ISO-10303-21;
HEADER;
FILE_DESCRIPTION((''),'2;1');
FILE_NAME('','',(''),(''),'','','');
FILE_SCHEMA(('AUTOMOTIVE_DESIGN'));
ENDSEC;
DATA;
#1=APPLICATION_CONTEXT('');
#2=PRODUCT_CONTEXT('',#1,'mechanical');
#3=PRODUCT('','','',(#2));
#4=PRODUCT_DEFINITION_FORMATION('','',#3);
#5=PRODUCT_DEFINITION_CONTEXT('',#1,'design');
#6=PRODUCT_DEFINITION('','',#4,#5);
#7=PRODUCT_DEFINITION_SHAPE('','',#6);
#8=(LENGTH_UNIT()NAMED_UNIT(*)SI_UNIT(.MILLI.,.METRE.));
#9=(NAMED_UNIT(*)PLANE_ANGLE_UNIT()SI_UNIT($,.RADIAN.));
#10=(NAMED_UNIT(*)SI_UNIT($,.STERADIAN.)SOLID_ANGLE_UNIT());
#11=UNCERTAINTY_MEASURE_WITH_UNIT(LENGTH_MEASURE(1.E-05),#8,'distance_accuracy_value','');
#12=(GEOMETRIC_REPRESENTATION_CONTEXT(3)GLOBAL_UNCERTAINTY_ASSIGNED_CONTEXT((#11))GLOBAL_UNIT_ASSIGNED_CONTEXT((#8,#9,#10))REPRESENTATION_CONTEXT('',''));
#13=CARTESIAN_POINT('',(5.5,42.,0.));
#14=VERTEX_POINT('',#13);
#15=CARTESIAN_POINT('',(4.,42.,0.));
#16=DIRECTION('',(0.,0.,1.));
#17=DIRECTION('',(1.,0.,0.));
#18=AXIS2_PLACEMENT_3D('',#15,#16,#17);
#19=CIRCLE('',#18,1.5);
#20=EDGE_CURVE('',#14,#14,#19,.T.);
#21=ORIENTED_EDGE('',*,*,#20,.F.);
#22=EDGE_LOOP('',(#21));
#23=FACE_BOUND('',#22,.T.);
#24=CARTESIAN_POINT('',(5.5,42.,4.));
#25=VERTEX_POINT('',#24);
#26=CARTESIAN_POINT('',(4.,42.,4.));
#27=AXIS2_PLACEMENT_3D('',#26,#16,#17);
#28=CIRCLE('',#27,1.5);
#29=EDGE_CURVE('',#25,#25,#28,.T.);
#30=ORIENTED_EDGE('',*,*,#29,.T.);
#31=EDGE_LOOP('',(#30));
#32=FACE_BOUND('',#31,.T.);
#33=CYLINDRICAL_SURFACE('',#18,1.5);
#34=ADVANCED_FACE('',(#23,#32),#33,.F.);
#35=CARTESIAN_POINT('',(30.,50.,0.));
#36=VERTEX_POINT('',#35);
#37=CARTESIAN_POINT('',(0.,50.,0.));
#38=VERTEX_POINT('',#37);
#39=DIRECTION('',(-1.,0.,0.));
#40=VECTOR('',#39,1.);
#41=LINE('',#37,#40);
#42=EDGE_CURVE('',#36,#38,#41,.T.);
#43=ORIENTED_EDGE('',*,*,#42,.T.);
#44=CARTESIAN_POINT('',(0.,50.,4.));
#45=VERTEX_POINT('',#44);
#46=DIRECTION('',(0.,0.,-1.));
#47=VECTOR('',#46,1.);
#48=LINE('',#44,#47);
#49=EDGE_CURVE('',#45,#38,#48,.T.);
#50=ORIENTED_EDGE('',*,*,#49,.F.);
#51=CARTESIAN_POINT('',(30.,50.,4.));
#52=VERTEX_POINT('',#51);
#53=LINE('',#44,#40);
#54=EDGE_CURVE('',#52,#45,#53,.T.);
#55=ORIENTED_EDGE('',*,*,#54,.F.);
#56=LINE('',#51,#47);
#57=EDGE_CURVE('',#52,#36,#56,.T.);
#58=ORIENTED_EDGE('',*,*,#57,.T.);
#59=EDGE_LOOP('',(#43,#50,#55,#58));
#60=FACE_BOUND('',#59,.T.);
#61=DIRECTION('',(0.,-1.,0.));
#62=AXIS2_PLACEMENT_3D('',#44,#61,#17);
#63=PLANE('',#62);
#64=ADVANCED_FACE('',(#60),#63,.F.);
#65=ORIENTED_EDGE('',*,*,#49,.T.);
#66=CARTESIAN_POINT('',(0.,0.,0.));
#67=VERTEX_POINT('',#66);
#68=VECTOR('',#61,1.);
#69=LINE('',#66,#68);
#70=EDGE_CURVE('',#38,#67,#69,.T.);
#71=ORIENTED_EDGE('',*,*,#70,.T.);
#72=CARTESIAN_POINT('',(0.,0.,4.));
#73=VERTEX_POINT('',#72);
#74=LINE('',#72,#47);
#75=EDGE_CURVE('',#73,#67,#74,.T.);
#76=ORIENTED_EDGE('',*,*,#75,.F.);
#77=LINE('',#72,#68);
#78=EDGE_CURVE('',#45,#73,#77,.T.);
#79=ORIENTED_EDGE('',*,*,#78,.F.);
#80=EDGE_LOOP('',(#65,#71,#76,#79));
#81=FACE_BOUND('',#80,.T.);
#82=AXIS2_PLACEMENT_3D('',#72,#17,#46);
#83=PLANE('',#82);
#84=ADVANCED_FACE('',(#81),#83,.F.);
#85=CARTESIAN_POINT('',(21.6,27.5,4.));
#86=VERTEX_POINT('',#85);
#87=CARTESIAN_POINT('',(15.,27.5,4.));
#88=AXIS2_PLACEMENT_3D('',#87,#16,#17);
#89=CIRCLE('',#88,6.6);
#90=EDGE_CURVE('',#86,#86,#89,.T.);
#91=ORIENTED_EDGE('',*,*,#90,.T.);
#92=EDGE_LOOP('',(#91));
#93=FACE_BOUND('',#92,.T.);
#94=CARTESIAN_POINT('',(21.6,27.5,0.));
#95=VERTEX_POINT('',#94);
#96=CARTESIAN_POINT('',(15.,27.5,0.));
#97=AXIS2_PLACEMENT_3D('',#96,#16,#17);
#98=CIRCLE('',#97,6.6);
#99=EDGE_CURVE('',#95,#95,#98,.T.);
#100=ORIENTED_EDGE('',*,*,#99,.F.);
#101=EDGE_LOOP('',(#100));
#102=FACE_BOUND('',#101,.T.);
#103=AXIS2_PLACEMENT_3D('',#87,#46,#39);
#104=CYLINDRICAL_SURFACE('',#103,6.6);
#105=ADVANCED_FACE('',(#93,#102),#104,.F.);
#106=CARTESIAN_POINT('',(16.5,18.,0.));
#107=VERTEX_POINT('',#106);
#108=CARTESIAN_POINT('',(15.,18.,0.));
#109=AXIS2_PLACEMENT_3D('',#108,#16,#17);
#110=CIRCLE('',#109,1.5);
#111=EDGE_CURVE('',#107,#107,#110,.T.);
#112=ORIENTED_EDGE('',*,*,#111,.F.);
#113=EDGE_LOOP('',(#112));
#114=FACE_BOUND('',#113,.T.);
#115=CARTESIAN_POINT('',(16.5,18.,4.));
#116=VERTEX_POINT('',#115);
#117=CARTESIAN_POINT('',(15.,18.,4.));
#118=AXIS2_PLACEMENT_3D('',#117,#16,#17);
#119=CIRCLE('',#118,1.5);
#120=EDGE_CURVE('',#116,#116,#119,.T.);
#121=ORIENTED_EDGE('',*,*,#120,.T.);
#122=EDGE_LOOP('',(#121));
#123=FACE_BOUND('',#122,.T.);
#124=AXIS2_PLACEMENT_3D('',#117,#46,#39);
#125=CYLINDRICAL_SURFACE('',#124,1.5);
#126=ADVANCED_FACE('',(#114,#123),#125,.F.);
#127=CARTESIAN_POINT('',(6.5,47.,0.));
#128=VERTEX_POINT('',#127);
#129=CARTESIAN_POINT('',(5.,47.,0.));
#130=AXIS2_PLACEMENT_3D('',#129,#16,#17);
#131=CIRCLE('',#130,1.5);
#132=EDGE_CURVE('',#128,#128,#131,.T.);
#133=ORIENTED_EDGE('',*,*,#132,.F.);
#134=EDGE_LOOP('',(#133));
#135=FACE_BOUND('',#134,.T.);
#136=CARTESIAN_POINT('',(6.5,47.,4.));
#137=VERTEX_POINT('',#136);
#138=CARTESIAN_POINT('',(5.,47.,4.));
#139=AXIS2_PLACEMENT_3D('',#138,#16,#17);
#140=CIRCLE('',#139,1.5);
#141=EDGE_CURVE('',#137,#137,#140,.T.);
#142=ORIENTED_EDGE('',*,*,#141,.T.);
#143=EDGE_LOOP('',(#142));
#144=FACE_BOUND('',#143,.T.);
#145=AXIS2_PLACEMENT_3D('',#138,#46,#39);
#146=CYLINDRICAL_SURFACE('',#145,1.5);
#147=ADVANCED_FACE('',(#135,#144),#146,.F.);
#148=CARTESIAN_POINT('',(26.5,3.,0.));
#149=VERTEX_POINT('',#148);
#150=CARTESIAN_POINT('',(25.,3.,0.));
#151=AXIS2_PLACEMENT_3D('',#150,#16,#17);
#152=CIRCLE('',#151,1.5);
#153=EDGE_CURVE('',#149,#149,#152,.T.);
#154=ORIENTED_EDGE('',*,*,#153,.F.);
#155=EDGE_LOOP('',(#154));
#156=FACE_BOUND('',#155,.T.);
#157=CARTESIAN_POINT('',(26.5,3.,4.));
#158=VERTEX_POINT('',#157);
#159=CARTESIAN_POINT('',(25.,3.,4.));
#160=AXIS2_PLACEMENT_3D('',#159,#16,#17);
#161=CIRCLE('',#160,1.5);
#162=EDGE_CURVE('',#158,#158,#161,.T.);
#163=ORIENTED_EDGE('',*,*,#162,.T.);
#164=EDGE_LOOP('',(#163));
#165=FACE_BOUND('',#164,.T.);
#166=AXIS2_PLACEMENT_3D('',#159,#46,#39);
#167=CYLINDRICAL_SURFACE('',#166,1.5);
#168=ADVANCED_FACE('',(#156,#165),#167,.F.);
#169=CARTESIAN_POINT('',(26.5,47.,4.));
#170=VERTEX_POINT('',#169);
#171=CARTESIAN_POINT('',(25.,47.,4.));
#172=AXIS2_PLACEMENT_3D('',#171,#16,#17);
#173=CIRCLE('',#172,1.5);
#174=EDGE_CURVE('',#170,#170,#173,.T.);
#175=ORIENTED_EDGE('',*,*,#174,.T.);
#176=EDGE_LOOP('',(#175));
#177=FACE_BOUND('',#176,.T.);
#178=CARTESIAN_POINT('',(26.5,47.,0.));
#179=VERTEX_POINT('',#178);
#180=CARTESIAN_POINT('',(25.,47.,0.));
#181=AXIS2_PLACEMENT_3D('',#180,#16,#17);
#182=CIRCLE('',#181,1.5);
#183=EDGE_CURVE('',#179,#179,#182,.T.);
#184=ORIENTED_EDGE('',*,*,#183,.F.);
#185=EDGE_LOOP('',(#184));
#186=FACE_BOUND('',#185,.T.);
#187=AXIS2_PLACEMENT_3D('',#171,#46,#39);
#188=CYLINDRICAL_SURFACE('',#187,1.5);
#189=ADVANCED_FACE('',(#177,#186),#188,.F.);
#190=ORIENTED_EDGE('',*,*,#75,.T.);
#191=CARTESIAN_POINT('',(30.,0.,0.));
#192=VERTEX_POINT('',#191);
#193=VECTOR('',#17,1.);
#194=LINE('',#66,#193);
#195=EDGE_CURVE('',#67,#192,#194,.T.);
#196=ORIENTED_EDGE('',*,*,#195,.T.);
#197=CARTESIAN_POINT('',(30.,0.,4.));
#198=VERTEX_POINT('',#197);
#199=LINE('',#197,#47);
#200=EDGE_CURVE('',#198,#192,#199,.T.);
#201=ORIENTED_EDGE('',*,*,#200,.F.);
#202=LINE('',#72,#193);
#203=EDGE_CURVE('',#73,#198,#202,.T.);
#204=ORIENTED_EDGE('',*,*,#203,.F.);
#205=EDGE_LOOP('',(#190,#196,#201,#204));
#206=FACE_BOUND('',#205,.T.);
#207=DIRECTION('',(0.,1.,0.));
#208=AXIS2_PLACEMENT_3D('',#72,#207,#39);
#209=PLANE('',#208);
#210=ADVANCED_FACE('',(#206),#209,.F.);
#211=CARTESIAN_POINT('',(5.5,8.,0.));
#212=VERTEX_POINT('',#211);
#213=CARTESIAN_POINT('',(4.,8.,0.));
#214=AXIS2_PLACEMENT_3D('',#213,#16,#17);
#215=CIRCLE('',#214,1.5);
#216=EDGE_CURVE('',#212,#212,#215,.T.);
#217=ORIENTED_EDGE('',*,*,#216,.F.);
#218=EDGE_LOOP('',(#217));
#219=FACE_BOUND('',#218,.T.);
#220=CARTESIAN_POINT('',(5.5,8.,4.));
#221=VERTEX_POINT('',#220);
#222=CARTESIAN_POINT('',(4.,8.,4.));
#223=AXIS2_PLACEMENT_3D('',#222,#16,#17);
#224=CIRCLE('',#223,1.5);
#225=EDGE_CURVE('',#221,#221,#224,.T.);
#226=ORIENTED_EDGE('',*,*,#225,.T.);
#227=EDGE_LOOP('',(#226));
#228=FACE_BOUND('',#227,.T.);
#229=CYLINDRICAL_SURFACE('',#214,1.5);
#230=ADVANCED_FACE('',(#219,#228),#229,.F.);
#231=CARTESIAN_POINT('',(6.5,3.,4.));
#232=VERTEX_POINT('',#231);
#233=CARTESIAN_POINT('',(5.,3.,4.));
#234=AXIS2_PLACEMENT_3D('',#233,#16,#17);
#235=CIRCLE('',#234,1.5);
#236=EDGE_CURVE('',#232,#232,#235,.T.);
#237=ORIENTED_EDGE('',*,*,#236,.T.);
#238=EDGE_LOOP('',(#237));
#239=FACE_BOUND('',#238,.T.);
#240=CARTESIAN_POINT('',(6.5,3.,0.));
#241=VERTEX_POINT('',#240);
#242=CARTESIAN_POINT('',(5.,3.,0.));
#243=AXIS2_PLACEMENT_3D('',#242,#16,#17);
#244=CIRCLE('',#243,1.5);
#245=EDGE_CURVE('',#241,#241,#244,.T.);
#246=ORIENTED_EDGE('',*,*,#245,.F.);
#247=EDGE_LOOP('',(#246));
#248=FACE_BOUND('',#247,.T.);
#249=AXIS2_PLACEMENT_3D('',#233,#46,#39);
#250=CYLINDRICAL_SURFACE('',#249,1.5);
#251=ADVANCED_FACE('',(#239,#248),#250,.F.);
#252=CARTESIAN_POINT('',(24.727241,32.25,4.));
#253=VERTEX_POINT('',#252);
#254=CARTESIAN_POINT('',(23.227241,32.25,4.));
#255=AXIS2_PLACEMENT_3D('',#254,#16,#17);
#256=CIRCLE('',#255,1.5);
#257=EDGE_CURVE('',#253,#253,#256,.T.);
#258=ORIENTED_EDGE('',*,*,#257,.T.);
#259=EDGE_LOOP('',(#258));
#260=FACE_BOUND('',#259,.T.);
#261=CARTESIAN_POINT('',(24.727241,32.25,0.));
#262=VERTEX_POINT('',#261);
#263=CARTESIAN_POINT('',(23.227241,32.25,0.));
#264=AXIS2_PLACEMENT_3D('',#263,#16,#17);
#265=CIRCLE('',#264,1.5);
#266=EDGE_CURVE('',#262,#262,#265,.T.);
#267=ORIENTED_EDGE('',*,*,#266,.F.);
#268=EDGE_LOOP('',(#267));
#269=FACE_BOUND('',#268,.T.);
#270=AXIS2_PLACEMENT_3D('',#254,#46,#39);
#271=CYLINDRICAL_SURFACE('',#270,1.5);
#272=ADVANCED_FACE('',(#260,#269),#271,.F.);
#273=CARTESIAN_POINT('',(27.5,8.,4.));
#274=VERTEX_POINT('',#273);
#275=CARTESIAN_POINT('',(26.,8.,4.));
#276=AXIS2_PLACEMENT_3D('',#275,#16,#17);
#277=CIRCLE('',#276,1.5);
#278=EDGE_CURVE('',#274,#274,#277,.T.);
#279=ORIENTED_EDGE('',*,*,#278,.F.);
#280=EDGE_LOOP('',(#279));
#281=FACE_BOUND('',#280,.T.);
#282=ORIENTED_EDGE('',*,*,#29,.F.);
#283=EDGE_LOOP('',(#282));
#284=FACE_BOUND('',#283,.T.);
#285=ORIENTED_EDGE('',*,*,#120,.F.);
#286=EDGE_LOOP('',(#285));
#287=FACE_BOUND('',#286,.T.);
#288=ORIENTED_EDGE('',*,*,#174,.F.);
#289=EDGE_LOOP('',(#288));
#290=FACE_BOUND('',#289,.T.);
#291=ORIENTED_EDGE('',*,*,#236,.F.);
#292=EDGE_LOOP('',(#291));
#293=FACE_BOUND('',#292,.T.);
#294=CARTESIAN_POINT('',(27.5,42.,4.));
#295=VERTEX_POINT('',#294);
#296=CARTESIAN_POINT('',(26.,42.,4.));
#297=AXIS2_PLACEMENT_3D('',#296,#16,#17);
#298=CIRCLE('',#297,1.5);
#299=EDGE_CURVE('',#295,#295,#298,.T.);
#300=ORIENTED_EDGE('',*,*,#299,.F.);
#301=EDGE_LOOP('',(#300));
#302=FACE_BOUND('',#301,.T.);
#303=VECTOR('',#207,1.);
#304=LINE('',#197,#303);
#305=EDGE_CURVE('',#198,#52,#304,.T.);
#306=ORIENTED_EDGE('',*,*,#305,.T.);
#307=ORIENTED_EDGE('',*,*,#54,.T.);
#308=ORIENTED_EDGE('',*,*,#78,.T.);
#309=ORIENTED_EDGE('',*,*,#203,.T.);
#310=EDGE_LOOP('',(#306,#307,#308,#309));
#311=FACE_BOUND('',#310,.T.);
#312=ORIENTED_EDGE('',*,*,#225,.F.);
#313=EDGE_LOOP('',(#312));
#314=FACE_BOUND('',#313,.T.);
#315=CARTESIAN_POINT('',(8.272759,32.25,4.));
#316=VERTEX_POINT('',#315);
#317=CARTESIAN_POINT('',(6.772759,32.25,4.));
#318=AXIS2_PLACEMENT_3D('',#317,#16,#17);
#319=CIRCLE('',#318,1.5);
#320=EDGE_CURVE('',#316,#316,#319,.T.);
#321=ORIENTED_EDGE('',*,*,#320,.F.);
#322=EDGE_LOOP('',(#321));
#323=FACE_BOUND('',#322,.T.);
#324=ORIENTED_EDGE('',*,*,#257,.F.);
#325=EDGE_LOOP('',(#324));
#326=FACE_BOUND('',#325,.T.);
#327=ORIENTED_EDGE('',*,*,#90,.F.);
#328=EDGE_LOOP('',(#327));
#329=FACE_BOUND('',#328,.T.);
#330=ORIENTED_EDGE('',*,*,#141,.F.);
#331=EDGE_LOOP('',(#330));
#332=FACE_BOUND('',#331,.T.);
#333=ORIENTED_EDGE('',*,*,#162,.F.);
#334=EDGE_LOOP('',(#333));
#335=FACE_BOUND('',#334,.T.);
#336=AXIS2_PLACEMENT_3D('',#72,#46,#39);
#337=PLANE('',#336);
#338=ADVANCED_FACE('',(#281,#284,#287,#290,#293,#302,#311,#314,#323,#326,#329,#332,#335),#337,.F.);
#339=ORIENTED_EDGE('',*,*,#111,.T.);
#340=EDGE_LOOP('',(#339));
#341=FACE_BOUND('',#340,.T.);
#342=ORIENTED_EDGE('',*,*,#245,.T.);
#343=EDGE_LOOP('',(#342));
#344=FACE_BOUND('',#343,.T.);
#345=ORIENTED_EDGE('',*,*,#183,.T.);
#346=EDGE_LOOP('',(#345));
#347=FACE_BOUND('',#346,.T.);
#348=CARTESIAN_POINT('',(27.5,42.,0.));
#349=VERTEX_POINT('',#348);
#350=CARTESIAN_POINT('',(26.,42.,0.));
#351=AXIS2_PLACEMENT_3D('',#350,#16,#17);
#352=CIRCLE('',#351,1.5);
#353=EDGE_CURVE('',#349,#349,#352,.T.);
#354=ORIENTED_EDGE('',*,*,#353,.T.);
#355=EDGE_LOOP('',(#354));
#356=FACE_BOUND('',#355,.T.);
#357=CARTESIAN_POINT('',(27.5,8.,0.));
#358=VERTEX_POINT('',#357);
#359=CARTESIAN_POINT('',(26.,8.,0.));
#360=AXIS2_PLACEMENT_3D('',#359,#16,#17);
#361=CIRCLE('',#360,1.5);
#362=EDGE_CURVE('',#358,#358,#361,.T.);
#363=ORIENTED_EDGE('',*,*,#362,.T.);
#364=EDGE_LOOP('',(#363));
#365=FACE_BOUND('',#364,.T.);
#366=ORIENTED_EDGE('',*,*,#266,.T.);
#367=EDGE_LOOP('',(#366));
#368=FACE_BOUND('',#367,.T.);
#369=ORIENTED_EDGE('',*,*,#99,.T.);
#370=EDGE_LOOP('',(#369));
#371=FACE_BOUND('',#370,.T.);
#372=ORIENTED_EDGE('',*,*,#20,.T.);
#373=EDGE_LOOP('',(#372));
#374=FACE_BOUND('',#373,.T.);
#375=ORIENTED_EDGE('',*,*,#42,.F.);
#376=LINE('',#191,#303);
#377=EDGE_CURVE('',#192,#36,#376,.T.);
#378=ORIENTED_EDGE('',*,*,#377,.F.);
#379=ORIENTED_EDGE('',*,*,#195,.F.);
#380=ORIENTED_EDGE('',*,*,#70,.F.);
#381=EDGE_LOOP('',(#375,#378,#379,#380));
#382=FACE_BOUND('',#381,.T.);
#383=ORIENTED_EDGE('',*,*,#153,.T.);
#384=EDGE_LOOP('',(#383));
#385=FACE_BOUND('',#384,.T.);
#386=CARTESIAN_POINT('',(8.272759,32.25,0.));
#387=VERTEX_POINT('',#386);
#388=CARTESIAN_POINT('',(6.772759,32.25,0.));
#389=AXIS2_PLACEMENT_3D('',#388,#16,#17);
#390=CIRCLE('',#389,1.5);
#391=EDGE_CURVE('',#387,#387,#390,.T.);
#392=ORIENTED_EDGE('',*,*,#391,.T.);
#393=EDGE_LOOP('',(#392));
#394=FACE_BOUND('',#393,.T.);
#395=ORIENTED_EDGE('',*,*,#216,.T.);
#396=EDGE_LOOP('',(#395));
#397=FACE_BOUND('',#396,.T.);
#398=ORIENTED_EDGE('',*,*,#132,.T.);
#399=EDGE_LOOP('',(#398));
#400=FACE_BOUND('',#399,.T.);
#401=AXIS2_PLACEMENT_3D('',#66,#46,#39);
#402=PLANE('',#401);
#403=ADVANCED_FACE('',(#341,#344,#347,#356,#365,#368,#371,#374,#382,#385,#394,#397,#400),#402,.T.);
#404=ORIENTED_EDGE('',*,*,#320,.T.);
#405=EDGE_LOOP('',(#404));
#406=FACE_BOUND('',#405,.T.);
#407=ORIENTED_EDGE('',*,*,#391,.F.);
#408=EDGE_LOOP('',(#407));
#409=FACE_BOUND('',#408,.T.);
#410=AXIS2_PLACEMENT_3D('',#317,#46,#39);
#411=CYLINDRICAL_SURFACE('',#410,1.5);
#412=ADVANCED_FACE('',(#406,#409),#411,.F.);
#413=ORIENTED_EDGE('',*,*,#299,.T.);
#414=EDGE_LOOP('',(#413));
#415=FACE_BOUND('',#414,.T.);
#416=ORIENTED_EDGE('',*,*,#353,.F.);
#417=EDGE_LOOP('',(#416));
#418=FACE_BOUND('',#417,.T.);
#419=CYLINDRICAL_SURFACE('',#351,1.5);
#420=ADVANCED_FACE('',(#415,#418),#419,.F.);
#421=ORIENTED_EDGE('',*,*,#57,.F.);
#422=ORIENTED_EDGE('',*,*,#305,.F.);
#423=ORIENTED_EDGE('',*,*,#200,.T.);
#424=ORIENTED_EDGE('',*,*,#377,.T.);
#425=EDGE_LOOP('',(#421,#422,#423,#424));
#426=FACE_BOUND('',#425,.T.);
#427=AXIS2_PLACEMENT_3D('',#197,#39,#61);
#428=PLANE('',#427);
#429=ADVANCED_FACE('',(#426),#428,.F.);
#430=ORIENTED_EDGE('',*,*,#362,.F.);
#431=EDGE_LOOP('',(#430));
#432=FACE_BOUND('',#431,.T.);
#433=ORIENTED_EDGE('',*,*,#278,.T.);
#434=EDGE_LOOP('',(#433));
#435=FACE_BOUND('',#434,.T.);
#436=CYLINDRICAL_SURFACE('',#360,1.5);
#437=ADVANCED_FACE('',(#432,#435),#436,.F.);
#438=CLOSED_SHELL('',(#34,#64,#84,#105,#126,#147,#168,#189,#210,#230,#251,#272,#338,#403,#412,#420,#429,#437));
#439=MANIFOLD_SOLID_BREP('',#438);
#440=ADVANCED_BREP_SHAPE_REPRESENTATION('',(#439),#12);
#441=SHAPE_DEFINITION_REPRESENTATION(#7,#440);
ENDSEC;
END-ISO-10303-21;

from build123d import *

# Parameters (mm, degrees)
SKETCH_1_W          = 30
SKETCH_1_H          = 50
SKETCH_1_R          = 6.6
SKETCH_1_R_2        = 1.5
EXTRUDE_1_DEPTH     = 4
SKETCH_2_R          = 1.5
CUT_EXTRUDE_1_DEPTH = 59.446556785


with BuildPart() as part:
    # 草图1 → 凸台-拉伸1 (new body)
    with BuildSketch(Plane.XY):
        with Locations((15, 25)):
            Rectangle(SKETCH_1_W, SKETCH_1_H)
        with Locations((15, 27.5)):
            Circle(SKETCH_1_R, mode=Mode.SUBTRACT)
        with Locations((23.227241336, 32.25)):
            Circle(SKETCH_1_R_2, mode=Mode.SUBTRACT)
        with Locations((15, 18)):
            Circle(SKETCH_1_R_2, mode=Mode.SUBTRACT)
        with Locations((6.772758664, 32.25)):
            Circle(SKETCH_1_R_2, mode=Mode.SUBTRACT)
        with Locations((5, 47)):
            Circle(SKETCH_1_R_2, mode=Mode.SUBTRACT)
        with Locations((25, 47)):
            Circle(SKETCH_1_R_2, mode=Mode.SUBTRACT)
        with Locations((5, 3)):
            Circle(SKETCH_1_R_2, mode=Mode.SUBTRACT)
        with Locations((25, 3)):
            Circle(SKETCH_1_R_2, mode=Mode.SUBTRACT)
    extrude(amount=EXTRUDE_1_DEPTH)

    # 草图2 → 切除-拉伸1 (cut, through all)
    with BuildSketch(Plane.XY.offset(4)):
        with Locations((4, 42)):
            Circle(SKETCH_2_R)
        with Locations((26, 42)):
            Circle(SKETCH_2_R)
        with Locations((26, 8)):
            Circle(SKETCH_2_R)
        with Locations((4, 8)):
            Circle(SKETCH_2_R)
    extrude(amount=-CUT_EXTRUDE_1_DEPTH, mode=Mode.SUBTRACT)


solid = part.part
